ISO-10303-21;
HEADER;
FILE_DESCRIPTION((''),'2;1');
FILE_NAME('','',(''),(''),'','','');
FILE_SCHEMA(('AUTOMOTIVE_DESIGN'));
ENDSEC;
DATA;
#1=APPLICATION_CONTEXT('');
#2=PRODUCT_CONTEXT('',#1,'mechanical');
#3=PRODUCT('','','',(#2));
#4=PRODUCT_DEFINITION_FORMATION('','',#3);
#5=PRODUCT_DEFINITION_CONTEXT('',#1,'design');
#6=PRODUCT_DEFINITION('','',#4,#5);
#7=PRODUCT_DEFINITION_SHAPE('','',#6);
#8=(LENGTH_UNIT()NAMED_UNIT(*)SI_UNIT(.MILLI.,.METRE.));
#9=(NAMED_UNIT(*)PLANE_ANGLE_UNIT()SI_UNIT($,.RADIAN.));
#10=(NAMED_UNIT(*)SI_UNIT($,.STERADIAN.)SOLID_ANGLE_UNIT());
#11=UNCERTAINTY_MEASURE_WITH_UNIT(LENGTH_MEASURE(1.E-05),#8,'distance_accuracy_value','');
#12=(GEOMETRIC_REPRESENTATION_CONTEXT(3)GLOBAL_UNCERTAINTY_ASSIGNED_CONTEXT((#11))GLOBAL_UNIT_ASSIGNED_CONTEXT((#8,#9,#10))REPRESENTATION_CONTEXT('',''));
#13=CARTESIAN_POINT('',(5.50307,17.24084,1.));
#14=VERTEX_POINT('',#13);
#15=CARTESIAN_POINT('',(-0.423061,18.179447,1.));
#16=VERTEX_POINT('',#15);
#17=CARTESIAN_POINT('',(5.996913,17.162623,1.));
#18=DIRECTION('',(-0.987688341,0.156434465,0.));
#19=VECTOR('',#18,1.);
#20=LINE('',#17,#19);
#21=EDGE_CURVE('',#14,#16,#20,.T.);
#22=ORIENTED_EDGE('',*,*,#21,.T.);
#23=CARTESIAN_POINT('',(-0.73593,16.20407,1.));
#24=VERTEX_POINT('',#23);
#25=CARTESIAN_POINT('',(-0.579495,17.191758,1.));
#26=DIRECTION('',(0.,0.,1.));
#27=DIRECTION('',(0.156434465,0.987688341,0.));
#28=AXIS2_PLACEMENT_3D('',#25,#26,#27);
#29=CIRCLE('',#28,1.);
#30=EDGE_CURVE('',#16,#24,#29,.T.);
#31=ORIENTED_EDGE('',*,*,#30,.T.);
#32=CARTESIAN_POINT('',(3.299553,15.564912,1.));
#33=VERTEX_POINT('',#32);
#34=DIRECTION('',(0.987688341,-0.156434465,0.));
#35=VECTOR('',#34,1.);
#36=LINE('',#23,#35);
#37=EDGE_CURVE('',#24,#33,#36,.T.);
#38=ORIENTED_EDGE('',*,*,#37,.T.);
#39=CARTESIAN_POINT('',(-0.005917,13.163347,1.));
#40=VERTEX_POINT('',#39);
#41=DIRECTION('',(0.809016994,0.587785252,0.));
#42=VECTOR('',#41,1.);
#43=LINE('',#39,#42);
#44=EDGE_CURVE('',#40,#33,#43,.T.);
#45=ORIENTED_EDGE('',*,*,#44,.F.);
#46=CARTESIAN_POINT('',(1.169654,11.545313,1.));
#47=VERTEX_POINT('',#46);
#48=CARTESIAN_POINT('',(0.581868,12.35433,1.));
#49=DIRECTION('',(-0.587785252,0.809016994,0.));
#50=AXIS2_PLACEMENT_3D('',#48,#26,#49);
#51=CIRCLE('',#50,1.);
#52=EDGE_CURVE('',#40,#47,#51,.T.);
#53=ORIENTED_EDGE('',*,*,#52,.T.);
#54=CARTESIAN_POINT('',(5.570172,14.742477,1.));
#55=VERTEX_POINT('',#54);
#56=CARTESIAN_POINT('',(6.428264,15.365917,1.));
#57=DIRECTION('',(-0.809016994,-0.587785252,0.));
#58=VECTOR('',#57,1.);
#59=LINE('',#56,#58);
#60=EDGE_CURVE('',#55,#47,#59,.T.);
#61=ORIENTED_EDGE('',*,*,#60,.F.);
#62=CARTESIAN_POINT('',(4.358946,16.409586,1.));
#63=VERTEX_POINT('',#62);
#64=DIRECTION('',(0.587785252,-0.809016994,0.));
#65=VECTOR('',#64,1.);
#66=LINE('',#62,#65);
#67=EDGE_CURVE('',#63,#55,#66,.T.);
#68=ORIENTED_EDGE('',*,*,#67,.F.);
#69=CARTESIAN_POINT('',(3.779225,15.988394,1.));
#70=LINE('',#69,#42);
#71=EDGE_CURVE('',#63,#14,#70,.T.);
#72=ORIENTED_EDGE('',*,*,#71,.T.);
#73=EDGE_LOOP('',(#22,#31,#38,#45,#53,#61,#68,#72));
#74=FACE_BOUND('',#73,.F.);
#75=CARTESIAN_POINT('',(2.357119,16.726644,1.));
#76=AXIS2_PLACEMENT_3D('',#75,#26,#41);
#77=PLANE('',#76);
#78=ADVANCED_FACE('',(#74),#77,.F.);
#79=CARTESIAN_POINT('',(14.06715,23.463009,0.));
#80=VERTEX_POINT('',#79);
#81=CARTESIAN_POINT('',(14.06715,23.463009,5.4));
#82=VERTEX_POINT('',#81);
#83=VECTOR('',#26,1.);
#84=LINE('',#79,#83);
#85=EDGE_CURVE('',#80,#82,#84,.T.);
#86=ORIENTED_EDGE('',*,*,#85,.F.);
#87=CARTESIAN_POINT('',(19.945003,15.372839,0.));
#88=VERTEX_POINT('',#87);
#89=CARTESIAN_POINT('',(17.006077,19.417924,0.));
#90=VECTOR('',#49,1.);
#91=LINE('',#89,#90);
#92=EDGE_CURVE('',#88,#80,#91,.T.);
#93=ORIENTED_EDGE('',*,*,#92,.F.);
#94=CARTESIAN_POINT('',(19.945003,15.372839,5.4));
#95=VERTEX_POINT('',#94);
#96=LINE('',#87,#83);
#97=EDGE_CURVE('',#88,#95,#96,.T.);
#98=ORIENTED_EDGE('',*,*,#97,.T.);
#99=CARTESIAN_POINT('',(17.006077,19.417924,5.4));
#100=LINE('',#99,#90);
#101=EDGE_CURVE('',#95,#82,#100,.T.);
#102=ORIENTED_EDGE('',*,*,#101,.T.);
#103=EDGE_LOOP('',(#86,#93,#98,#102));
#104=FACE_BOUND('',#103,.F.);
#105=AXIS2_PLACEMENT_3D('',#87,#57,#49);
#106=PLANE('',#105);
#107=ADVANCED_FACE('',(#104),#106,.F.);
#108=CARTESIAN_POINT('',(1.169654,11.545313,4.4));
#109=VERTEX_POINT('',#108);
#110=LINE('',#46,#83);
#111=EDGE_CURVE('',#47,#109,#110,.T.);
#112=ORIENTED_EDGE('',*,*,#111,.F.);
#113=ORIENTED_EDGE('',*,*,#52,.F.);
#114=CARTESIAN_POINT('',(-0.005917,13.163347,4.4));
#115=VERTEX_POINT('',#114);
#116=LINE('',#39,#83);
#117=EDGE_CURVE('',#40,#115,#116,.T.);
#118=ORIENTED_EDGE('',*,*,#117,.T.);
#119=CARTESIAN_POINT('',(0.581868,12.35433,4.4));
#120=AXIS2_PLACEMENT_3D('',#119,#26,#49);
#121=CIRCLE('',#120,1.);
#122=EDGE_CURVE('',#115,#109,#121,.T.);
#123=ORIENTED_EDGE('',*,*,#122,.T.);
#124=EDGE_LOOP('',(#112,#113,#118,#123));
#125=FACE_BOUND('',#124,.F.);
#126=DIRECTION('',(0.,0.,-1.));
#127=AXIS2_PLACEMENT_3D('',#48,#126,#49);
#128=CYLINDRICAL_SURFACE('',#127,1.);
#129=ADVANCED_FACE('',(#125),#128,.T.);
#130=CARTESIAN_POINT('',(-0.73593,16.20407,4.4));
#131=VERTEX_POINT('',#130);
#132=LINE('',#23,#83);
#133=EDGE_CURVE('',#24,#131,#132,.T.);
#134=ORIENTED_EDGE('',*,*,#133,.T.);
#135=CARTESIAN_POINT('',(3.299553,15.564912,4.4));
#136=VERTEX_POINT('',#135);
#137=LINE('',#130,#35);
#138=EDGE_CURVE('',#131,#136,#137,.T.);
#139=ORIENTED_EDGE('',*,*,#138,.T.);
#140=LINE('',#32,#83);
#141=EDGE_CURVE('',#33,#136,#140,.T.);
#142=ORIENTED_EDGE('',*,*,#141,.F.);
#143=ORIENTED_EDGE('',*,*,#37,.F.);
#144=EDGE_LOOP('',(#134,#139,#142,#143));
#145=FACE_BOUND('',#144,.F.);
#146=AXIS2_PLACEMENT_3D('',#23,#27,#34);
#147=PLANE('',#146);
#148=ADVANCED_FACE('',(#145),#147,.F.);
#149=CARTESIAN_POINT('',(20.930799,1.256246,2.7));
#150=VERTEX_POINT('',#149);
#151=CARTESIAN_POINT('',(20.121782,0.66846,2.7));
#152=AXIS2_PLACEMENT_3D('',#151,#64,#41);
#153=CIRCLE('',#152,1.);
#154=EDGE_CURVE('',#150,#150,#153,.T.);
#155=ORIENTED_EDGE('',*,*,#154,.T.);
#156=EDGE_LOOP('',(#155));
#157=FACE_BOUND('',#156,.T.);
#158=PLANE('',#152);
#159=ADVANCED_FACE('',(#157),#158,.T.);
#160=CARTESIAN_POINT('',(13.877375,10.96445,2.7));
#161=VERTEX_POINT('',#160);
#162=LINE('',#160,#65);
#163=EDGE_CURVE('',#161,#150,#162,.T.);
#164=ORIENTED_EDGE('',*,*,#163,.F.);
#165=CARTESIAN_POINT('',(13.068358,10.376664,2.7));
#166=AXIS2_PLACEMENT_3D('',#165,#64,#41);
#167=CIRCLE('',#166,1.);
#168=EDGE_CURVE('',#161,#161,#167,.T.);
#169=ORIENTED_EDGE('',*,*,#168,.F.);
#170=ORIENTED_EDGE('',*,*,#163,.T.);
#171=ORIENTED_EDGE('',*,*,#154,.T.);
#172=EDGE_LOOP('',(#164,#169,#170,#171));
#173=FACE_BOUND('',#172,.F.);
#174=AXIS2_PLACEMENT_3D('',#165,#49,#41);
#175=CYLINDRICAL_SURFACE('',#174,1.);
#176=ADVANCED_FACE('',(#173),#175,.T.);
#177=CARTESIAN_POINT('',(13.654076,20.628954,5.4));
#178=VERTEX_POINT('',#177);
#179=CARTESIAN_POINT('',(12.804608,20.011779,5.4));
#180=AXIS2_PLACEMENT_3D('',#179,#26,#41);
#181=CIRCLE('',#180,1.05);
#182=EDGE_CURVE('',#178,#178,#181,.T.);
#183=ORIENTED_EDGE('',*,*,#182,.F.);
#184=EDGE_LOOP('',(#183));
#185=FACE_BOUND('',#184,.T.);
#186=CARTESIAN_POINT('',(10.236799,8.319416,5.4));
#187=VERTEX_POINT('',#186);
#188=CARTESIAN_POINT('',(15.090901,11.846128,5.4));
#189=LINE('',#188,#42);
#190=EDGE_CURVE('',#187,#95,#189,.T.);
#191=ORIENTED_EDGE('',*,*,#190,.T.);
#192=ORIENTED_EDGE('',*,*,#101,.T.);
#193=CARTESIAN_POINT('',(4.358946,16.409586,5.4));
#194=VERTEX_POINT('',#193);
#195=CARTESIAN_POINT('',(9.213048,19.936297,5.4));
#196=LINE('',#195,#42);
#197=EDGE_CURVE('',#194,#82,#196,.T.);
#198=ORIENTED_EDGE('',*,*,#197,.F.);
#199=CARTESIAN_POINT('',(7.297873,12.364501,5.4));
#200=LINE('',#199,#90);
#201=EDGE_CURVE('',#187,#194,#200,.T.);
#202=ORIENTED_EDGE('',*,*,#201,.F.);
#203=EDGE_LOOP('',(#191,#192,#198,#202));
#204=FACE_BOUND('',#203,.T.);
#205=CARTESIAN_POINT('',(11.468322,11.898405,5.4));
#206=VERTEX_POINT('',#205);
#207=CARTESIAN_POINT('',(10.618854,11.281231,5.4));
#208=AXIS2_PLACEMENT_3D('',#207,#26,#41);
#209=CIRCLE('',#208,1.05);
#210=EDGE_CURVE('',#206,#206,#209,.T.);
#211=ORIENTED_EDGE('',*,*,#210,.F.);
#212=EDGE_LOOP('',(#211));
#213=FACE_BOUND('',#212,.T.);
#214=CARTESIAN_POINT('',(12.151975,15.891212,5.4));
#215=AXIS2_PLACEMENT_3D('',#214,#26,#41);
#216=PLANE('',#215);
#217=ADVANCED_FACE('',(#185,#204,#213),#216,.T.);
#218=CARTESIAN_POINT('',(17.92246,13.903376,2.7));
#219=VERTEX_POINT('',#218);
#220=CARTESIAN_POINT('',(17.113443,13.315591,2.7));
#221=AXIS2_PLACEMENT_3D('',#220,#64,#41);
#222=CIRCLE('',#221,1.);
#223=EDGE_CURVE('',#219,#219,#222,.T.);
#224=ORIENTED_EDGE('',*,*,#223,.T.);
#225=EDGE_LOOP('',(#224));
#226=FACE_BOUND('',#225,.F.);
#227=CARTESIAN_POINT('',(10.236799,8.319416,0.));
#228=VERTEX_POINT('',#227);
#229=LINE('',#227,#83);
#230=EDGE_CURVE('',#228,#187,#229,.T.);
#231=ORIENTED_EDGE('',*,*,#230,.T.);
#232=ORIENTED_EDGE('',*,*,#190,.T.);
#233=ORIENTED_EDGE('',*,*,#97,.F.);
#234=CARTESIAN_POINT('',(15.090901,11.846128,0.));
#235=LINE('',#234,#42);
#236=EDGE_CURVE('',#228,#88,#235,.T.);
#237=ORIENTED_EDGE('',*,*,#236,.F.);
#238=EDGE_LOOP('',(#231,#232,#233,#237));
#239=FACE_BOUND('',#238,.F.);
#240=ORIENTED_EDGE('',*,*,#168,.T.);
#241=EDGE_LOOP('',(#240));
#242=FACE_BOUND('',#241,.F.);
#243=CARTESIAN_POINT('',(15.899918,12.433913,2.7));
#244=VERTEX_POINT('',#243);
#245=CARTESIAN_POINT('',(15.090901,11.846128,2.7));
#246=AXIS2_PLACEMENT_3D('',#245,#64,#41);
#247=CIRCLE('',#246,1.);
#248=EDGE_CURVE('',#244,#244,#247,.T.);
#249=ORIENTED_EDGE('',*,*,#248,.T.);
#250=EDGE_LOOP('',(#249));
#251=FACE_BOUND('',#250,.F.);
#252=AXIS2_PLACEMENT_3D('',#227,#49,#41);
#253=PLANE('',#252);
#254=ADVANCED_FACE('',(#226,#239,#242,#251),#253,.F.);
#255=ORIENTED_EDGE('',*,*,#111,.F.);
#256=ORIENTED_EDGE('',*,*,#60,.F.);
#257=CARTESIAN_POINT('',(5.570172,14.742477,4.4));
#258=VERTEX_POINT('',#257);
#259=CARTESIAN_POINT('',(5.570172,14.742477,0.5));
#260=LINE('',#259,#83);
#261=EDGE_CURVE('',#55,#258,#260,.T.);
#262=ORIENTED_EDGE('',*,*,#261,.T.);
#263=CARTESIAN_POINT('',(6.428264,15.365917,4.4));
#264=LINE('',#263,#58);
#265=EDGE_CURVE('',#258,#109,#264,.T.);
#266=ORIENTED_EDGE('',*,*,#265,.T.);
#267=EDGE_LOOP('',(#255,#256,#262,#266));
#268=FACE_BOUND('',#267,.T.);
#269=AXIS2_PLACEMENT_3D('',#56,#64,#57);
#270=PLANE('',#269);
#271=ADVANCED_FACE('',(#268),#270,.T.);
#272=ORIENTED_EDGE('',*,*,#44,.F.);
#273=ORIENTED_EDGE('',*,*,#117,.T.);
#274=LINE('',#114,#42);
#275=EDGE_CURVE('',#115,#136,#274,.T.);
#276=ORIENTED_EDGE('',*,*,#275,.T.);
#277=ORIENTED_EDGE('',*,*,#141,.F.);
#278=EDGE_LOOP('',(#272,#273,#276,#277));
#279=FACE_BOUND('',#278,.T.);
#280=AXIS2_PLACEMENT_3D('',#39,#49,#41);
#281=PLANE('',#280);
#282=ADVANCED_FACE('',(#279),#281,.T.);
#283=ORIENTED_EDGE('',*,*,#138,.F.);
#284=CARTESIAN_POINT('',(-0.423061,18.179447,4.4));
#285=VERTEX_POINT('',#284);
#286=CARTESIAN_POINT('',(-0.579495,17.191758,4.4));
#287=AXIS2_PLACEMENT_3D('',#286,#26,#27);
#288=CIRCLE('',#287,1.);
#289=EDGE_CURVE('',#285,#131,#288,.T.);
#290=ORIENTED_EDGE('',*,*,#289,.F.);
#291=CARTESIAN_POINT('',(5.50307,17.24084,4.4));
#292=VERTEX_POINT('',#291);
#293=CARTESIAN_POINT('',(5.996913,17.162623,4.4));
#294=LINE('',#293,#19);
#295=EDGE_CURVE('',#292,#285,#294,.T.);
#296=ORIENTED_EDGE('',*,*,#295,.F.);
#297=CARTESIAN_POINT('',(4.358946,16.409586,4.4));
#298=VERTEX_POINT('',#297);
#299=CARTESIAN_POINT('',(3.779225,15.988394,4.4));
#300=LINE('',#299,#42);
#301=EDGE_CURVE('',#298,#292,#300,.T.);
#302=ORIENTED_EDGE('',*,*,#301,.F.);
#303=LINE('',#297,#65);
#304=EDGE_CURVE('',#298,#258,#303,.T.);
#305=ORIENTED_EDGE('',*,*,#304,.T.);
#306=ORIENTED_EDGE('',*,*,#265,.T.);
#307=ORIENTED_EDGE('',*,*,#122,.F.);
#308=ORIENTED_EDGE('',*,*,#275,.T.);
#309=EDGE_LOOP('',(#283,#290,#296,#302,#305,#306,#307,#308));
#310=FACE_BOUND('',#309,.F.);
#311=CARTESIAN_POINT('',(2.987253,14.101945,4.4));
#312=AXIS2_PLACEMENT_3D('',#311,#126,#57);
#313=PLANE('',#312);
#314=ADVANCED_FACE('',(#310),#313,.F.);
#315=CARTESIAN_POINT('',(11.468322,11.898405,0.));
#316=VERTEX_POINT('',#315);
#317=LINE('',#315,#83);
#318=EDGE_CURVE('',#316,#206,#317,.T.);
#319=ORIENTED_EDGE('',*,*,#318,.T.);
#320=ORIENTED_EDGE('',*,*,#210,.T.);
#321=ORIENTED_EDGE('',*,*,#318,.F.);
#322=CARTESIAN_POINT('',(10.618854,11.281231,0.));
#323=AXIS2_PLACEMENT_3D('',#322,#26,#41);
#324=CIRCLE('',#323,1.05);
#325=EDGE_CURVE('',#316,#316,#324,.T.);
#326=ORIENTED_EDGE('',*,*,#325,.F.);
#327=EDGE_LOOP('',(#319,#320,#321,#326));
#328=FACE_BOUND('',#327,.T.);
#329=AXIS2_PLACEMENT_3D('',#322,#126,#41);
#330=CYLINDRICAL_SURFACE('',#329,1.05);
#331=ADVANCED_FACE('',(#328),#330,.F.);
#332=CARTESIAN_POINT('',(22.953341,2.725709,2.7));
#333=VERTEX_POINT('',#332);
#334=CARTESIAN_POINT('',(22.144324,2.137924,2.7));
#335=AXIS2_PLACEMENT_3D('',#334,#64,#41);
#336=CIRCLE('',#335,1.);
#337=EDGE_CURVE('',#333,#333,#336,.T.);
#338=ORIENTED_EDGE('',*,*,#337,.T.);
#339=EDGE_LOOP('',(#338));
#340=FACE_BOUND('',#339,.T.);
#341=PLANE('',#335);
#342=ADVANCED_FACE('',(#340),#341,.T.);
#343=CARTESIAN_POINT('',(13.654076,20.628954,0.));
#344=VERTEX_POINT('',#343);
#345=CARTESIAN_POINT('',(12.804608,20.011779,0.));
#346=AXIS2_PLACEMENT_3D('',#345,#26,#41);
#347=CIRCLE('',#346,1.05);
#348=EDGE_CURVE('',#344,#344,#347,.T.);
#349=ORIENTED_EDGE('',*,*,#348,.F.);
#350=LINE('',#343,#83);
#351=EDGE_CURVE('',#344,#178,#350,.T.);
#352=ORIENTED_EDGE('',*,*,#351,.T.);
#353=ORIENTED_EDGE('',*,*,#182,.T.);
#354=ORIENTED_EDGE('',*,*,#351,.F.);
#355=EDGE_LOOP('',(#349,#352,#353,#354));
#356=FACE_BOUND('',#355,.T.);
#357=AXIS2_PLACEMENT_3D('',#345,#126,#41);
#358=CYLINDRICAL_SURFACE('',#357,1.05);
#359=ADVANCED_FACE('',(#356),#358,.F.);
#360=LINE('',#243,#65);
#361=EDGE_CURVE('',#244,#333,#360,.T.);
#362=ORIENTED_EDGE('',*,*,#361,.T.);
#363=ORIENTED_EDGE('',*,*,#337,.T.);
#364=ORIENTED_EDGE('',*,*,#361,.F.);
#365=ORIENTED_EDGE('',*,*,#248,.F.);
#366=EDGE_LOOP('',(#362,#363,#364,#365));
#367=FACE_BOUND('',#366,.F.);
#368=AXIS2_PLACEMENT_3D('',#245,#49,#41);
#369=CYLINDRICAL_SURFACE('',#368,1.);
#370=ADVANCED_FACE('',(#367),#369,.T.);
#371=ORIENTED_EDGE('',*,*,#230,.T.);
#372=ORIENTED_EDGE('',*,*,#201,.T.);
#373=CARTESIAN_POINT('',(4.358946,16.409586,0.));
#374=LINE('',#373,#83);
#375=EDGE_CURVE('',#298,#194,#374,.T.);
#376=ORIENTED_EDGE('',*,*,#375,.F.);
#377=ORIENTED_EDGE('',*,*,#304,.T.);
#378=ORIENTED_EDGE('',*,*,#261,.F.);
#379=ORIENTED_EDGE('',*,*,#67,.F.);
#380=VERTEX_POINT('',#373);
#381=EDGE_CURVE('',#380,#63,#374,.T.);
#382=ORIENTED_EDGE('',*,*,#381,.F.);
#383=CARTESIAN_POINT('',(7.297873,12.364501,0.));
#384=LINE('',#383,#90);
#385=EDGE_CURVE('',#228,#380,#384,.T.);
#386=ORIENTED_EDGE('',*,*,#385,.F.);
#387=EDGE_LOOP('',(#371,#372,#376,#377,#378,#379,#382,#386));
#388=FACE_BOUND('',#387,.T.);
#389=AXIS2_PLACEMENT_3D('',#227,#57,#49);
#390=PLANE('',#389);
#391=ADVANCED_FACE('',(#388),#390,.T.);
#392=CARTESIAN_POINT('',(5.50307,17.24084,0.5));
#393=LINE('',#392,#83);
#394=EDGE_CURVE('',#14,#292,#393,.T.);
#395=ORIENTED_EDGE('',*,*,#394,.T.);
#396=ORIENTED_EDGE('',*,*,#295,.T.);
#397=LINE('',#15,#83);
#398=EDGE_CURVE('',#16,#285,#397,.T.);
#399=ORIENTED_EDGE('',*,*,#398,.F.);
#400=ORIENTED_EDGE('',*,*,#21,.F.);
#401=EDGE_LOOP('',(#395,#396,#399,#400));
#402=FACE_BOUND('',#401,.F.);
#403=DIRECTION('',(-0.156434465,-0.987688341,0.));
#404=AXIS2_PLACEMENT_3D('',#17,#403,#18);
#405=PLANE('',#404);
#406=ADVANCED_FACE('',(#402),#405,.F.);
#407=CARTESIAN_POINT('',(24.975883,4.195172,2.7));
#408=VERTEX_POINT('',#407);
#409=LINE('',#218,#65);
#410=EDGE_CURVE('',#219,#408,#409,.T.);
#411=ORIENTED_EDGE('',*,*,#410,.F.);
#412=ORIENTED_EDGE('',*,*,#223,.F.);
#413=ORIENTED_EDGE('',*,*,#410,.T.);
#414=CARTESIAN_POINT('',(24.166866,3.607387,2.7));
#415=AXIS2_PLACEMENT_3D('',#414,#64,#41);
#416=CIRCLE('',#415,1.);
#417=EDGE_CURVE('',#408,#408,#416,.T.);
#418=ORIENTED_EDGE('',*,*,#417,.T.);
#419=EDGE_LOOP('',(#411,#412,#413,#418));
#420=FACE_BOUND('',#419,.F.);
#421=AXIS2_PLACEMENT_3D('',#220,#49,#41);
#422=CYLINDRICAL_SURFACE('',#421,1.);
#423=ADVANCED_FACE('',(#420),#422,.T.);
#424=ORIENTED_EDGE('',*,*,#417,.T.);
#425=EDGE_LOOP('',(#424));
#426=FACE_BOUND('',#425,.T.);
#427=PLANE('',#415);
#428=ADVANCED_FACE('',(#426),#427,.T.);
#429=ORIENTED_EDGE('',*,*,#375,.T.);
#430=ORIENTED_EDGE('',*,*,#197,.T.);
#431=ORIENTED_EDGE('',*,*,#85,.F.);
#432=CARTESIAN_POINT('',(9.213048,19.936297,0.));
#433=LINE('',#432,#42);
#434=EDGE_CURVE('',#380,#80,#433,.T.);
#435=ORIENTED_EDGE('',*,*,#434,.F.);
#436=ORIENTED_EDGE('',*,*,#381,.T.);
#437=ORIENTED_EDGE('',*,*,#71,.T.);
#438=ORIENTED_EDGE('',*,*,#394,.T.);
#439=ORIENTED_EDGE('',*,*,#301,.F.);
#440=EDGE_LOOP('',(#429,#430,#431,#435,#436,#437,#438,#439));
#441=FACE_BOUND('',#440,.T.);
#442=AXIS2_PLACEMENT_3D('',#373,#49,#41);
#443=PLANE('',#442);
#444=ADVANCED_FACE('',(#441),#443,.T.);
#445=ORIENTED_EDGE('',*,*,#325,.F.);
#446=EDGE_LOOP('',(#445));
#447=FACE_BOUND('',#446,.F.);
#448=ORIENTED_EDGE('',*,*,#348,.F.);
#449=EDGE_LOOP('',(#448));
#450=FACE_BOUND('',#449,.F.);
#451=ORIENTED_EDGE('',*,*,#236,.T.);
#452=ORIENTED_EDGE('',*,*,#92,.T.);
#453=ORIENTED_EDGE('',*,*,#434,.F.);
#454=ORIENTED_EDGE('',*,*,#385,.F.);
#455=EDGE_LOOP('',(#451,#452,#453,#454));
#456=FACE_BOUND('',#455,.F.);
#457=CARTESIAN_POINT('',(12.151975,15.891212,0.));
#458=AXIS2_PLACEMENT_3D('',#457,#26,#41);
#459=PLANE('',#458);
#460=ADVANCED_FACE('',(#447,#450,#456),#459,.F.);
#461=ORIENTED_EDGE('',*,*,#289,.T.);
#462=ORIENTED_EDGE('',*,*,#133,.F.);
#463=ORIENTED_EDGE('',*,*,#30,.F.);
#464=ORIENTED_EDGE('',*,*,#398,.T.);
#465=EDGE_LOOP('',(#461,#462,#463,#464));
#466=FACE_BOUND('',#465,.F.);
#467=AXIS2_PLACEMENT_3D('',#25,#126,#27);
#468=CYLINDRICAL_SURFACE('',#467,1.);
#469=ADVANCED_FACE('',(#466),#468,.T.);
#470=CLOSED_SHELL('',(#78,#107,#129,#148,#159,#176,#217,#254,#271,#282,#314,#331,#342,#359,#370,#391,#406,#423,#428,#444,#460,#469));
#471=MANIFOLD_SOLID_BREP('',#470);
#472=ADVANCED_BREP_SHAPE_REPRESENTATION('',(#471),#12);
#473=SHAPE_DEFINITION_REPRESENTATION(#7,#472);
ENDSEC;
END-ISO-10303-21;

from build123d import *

# Parameters (mm, degrees)
SKETCH004_W             = 12
SKETCH004_H             = 10
SKETCH004_R             = 1.05
PAD004_DEPTH            = 5.4
PAD005_START            = 1
PAD005_DEPTH            = 3.4
SKETCH006_R             = 1
PAD006_DEPTH            = 12
PAD007_START            = 1
PAD007_DEPTH            = 3.4
BODY003_PLACEMENT_ANGLE = 324


with BuildPart() as part:
    # Sketch004 → Pad004 (new body)
    with BuildSketch(Plane.XY):
        with Locations((6, 5)):
            Rectangle(SKETCH004_W, SKETCH004_H)
        with Locations((2.05, 2.171592)):
            Circle(SKETCH004_R, mode=Mode.SUBTRACT)
        with Locations((8.95, 7.95)):
            Circle(SKETCH004_R, mode=Mode.SUBTRACT)
    extrude(amount=PAD004_DEPTH)

    # Sketch005 → Pad005 (join)
    with BuildSketch(Plane.XY.offset(PAD005_START)):
        with BuildLine():
            Line((-4.242641, 12.828427), (0.353553, 8.232233))
            Line((0.353553, 8.232233), (1.767767, 9.646447))
            Line((1.767767, 9.646447), (-2.828427, 14.242641))
            ThreePointArc((-2.828427, 14.242641), (-4.242641, 14.242641), (-4.242641, 12.828427))
        make_face()
    extrude(amount=PAD005_DEPTH)

    # Sketch006 (on Face1 of Pad005) → Pad006 (join)
    with BuildSketch(Plane.XZ):
        with Locations((3.5, 2.7)):
            Circle(SKETCH006_R)
        with Locations((6, 2.7)):
            Circle(SKETCH006_R)
        with Locations((8.5, 2.7)):
            Circle(SKETCH006_R)
    extrude(amount=PAD006_DEPTH)

    # Sketch007 → Pad007 (join)
    with BuildSketch(Plane.XY.offset(PAD007_START)):
        with BuildLine():
            Line((1.06066, 7.93934), (-5.43934, 7.93934))
            ThreePointArc((-5.43934, 9.93934), (-6.43934, 8.93934), (-5.43934, 7.93934))
            Line((-5.43934, 9.93934), (1.06066, 9.93934))
            Line((1.06066, 7.93934), (1.06066, 9.93934))
        make_face()
    extrude(amount=PAD007_DEPTH)


with BuildPart() as part_1:
    # Body003 placement: moved
    add(part.part.moved(Location((10.236799, 8.319416, 0))).rotate(Axis((10.236799, 8.319416, 0), (0, 0, -1)), BODY003_PLACEMENT_ANGLE))


solid = part_1.part
